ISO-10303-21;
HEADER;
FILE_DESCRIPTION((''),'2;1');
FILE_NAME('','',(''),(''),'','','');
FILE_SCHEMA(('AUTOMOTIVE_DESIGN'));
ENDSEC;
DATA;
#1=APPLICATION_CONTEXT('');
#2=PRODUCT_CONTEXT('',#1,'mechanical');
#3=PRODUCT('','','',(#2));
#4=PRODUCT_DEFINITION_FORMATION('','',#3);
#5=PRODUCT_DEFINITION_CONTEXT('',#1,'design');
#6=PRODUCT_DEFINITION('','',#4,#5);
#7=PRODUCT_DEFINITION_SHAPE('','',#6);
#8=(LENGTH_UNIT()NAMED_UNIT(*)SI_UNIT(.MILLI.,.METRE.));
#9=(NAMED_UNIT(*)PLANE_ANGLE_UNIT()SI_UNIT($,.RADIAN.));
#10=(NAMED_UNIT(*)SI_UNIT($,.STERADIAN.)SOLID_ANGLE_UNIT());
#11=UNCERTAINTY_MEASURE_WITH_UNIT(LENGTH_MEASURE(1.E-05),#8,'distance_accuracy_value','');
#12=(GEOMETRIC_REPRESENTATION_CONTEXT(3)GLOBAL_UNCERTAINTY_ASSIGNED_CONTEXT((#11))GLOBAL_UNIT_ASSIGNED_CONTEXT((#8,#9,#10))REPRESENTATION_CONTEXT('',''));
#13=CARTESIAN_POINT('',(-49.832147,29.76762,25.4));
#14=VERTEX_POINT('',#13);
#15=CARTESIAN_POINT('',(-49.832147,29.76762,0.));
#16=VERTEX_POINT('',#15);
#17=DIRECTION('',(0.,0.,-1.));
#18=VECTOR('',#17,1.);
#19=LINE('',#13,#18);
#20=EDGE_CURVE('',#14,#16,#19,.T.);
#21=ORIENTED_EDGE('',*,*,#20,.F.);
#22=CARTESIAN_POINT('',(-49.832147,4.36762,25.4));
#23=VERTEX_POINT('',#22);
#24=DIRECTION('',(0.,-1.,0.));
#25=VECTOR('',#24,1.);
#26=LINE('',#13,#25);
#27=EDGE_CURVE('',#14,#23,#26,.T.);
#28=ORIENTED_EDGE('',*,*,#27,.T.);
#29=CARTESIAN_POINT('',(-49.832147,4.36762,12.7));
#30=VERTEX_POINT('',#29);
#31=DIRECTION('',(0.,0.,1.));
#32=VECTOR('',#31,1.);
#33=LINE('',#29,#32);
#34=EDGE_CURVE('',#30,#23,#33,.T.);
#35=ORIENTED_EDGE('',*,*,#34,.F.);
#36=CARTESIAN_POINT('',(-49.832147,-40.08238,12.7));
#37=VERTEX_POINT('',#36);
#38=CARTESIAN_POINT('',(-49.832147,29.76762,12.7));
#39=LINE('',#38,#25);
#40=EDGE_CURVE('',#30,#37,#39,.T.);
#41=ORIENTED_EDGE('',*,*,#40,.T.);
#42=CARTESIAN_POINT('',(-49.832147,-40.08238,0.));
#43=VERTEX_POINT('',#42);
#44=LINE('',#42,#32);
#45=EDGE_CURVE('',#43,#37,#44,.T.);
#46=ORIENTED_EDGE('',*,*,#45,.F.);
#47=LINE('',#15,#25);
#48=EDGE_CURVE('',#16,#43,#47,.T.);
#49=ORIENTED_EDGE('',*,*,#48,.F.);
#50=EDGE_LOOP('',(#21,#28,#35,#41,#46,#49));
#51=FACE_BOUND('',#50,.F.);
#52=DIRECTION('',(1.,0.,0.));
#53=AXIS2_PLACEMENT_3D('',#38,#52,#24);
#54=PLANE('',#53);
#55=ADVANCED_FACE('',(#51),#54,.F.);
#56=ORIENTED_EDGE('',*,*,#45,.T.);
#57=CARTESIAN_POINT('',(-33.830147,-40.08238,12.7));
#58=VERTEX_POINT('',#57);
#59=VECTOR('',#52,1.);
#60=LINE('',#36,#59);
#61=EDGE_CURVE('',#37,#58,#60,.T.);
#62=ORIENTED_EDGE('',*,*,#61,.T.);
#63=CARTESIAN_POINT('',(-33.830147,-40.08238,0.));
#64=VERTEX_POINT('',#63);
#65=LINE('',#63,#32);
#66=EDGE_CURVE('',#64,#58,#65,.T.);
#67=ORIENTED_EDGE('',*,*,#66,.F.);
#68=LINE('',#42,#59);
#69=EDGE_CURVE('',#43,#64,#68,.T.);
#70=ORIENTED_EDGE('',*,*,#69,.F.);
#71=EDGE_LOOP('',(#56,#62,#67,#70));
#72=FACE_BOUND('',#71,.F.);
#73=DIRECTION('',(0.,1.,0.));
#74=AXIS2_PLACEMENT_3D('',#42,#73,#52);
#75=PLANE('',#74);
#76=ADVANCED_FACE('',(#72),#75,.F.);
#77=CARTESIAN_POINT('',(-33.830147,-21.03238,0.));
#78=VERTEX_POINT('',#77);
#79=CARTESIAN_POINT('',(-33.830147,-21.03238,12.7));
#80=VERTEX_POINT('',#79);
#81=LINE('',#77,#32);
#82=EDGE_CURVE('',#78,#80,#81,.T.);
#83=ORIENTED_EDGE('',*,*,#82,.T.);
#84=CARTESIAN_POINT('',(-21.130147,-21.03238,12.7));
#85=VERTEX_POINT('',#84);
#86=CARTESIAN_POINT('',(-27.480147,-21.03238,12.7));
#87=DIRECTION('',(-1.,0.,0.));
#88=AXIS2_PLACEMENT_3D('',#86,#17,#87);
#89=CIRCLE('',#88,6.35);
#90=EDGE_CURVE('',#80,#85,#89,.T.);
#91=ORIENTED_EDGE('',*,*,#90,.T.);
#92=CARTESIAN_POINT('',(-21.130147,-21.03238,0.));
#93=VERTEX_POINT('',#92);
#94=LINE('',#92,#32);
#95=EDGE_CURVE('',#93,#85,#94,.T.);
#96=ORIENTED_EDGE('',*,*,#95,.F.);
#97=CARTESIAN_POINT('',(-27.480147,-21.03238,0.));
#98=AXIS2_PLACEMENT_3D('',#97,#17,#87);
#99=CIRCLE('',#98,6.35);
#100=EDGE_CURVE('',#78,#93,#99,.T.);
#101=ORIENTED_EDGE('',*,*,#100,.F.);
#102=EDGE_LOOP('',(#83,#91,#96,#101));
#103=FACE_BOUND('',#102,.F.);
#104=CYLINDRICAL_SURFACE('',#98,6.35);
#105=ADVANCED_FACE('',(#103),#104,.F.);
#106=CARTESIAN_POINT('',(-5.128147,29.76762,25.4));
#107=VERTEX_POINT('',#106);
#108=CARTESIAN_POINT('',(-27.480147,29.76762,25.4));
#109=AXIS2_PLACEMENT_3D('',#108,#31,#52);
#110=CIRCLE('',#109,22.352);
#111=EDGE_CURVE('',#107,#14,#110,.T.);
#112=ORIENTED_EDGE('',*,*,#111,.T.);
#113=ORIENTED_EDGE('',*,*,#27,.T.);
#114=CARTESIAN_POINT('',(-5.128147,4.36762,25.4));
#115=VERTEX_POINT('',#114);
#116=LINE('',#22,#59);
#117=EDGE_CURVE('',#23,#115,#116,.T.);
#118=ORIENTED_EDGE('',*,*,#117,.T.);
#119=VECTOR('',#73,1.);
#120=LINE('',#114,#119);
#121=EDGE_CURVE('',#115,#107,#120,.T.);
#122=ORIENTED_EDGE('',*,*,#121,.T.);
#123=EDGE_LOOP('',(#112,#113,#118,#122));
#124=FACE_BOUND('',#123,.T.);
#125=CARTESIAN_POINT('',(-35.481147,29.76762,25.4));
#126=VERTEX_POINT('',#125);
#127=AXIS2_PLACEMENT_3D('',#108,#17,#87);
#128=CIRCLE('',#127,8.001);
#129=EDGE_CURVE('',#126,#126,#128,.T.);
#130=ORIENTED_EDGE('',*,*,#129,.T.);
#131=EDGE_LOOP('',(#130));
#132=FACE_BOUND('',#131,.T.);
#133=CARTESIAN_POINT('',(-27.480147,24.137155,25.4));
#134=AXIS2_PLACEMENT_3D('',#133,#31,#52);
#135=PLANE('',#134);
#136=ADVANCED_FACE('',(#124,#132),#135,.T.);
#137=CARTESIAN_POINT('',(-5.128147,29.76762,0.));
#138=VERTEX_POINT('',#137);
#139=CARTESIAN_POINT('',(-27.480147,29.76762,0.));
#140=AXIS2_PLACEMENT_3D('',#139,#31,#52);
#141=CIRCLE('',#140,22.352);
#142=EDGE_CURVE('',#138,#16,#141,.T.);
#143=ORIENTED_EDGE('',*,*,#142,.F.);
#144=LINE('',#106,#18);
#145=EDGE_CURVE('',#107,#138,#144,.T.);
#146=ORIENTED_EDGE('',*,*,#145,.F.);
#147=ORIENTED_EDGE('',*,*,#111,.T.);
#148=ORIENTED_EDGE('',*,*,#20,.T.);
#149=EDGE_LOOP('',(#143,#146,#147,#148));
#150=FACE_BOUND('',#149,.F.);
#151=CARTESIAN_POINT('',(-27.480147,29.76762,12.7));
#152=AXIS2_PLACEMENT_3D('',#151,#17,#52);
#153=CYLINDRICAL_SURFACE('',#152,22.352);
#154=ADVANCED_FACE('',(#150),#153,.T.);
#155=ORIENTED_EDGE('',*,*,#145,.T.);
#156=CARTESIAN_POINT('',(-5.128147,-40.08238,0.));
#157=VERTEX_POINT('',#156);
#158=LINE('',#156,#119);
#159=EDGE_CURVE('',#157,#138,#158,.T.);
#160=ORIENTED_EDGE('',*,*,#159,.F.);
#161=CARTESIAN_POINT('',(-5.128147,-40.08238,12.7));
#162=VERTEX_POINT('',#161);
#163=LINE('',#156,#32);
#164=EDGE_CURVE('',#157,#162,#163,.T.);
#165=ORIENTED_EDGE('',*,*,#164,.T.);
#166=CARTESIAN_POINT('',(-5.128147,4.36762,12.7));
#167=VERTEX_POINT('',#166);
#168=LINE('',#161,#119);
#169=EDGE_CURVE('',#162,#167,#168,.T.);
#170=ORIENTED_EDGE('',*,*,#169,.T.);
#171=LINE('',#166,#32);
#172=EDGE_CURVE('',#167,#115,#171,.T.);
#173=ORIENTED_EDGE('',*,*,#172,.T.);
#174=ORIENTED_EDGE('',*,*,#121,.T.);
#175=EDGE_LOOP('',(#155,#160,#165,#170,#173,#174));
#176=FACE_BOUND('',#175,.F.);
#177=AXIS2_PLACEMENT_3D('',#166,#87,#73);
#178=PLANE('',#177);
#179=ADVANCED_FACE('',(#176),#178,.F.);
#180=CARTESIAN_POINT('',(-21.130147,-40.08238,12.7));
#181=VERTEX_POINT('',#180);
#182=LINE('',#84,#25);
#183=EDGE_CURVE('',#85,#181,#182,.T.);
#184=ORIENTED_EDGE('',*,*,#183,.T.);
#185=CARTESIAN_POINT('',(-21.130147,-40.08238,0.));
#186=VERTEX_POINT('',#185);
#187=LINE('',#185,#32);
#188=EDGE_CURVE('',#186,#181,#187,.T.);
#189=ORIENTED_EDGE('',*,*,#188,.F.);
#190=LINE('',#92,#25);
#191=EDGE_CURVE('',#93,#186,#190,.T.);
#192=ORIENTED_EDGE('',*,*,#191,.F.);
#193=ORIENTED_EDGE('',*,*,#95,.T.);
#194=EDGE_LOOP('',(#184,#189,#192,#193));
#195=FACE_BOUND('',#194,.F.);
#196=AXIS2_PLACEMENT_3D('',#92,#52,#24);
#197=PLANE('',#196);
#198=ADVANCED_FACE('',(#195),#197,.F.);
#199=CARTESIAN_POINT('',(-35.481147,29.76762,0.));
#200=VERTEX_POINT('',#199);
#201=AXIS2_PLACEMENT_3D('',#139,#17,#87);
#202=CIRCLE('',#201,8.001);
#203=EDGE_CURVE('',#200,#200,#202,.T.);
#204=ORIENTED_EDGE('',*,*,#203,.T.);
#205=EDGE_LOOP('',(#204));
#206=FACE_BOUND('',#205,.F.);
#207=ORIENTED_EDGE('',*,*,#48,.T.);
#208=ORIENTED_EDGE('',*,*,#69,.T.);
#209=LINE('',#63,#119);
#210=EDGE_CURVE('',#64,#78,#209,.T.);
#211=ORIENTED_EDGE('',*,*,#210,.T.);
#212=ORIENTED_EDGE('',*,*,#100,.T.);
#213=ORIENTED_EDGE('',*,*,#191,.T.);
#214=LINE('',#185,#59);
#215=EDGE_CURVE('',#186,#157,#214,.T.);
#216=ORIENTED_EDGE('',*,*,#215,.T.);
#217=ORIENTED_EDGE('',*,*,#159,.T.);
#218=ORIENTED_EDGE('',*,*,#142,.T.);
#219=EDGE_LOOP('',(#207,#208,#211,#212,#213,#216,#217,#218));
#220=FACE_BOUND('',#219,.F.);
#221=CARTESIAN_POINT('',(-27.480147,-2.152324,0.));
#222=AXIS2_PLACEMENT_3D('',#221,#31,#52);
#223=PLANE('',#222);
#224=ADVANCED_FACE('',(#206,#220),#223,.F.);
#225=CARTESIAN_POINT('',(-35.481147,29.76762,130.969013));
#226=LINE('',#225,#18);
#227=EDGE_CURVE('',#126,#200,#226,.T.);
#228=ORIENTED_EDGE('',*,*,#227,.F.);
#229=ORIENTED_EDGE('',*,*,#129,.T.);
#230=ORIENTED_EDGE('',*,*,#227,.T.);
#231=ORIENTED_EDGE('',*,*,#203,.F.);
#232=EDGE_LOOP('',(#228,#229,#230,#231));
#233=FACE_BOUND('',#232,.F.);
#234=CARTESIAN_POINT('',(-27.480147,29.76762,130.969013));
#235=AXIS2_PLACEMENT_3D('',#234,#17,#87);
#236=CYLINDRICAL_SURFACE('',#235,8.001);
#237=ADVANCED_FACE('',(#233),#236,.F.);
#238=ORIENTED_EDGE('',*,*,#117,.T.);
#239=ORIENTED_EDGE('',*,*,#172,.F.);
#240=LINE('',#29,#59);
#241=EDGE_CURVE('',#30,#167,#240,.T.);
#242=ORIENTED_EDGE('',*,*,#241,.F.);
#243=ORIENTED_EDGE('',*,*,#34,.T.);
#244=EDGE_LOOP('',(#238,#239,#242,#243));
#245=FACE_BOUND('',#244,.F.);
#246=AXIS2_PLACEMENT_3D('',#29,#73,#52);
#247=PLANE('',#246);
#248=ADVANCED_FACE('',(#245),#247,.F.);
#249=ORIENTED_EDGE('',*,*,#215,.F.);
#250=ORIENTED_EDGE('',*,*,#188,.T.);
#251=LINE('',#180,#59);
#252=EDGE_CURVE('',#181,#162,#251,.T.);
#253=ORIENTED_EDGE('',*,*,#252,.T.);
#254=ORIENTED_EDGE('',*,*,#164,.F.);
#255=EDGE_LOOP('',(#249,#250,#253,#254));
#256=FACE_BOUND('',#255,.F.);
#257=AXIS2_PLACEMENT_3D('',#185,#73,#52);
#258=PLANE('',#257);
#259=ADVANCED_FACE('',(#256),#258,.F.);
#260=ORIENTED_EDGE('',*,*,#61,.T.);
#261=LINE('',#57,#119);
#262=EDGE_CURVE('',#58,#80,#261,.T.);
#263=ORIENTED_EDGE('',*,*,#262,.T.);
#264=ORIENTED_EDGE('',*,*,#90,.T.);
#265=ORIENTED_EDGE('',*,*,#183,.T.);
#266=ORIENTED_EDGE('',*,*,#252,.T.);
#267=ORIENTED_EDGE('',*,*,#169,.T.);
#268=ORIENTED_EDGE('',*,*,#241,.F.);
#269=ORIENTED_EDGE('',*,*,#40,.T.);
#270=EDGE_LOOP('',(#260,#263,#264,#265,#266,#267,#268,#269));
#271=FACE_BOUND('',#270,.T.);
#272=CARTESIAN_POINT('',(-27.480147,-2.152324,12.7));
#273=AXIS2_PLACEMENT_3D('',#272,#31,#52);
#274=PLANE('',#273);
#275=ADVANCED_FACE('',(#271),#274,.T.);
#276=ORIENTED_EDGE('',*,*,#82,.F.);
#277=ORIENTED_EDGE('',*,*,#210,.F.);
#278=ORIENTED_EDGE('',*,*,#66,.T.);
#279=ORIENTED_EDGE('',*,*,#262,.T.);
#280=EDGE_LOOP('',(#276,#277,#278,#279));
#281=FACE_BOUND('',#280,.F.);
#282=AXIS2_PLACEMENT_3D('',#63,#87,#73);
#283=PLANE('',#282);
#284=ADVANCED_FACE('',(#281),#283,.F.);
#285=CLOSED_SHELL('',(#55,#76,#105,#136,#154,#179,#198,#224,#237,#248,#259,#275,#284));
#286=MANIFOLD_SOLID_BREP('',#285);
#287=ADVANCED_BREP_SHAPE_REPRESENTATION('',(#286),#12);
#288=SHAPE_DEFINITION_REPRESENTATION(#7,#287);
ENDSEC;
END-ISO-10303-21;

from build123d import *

# Parameters (mm, degrees)
F1_DEPTH = 12.7
F3_DEPTH = 12.7
F5_D     = 16.002


with BuildPart() as f1:
    # F0 (on Top) → F1 (new body)
    with BuildSketch(Plane.XY):
        with BuildLine():
            Line((-5.128147, -40.08238), (-5.128147, 29.76762))
            ThreePointArc((-5.128147, 29.76762), (-27.480147, 52.11962), (-49.832147, 29.76762))
            Line((-49.832147, 29.76762), (-49.832147, -40.08238))
            Line((-49.832147, -40.08238), (-33.830147, -40.08238))
            Line((-33.830147, -40.08238), (-33.830147, -21.03238))
            ThreePointArc((-33.830147, -21.03238), (-27.480147, -14.68238), (-21.130147, -21.03238))
            Line((-21.130147, -21.03238), (-21.130147, -40.08238))
            Line((-21.130147, -40.08238), (-5.128147, -40.08238))
        make_face()
    extrude(amount=F1_DEPTH)

    # F2 (on face) → F3 (join)
    with BuildSketch(Plane.XY.offset(12.7)):
        with BuildLine():
            Line((-49.832147, 29.76762), (-49.832147, 4.36762))
            Line((-49.832147, 4.36762), (-5.128147, 4.36762))
            Line((-5.128147, 4.36762), (-5.128147, 29.76762))
            ThreePointArc((-5.128147, 29.76762), (-27.480147, 52.11962), (-49.832147, 29.76762))
        make_face()
    extrude(amount=F3_DEPTH)

    # F5 (through all)
    with Locations(Plane.XY.offset(25.4)):
        with Locations((-27.480147, 29.76762)):
            Hole(F5_D / 2)


solid = f1.part
